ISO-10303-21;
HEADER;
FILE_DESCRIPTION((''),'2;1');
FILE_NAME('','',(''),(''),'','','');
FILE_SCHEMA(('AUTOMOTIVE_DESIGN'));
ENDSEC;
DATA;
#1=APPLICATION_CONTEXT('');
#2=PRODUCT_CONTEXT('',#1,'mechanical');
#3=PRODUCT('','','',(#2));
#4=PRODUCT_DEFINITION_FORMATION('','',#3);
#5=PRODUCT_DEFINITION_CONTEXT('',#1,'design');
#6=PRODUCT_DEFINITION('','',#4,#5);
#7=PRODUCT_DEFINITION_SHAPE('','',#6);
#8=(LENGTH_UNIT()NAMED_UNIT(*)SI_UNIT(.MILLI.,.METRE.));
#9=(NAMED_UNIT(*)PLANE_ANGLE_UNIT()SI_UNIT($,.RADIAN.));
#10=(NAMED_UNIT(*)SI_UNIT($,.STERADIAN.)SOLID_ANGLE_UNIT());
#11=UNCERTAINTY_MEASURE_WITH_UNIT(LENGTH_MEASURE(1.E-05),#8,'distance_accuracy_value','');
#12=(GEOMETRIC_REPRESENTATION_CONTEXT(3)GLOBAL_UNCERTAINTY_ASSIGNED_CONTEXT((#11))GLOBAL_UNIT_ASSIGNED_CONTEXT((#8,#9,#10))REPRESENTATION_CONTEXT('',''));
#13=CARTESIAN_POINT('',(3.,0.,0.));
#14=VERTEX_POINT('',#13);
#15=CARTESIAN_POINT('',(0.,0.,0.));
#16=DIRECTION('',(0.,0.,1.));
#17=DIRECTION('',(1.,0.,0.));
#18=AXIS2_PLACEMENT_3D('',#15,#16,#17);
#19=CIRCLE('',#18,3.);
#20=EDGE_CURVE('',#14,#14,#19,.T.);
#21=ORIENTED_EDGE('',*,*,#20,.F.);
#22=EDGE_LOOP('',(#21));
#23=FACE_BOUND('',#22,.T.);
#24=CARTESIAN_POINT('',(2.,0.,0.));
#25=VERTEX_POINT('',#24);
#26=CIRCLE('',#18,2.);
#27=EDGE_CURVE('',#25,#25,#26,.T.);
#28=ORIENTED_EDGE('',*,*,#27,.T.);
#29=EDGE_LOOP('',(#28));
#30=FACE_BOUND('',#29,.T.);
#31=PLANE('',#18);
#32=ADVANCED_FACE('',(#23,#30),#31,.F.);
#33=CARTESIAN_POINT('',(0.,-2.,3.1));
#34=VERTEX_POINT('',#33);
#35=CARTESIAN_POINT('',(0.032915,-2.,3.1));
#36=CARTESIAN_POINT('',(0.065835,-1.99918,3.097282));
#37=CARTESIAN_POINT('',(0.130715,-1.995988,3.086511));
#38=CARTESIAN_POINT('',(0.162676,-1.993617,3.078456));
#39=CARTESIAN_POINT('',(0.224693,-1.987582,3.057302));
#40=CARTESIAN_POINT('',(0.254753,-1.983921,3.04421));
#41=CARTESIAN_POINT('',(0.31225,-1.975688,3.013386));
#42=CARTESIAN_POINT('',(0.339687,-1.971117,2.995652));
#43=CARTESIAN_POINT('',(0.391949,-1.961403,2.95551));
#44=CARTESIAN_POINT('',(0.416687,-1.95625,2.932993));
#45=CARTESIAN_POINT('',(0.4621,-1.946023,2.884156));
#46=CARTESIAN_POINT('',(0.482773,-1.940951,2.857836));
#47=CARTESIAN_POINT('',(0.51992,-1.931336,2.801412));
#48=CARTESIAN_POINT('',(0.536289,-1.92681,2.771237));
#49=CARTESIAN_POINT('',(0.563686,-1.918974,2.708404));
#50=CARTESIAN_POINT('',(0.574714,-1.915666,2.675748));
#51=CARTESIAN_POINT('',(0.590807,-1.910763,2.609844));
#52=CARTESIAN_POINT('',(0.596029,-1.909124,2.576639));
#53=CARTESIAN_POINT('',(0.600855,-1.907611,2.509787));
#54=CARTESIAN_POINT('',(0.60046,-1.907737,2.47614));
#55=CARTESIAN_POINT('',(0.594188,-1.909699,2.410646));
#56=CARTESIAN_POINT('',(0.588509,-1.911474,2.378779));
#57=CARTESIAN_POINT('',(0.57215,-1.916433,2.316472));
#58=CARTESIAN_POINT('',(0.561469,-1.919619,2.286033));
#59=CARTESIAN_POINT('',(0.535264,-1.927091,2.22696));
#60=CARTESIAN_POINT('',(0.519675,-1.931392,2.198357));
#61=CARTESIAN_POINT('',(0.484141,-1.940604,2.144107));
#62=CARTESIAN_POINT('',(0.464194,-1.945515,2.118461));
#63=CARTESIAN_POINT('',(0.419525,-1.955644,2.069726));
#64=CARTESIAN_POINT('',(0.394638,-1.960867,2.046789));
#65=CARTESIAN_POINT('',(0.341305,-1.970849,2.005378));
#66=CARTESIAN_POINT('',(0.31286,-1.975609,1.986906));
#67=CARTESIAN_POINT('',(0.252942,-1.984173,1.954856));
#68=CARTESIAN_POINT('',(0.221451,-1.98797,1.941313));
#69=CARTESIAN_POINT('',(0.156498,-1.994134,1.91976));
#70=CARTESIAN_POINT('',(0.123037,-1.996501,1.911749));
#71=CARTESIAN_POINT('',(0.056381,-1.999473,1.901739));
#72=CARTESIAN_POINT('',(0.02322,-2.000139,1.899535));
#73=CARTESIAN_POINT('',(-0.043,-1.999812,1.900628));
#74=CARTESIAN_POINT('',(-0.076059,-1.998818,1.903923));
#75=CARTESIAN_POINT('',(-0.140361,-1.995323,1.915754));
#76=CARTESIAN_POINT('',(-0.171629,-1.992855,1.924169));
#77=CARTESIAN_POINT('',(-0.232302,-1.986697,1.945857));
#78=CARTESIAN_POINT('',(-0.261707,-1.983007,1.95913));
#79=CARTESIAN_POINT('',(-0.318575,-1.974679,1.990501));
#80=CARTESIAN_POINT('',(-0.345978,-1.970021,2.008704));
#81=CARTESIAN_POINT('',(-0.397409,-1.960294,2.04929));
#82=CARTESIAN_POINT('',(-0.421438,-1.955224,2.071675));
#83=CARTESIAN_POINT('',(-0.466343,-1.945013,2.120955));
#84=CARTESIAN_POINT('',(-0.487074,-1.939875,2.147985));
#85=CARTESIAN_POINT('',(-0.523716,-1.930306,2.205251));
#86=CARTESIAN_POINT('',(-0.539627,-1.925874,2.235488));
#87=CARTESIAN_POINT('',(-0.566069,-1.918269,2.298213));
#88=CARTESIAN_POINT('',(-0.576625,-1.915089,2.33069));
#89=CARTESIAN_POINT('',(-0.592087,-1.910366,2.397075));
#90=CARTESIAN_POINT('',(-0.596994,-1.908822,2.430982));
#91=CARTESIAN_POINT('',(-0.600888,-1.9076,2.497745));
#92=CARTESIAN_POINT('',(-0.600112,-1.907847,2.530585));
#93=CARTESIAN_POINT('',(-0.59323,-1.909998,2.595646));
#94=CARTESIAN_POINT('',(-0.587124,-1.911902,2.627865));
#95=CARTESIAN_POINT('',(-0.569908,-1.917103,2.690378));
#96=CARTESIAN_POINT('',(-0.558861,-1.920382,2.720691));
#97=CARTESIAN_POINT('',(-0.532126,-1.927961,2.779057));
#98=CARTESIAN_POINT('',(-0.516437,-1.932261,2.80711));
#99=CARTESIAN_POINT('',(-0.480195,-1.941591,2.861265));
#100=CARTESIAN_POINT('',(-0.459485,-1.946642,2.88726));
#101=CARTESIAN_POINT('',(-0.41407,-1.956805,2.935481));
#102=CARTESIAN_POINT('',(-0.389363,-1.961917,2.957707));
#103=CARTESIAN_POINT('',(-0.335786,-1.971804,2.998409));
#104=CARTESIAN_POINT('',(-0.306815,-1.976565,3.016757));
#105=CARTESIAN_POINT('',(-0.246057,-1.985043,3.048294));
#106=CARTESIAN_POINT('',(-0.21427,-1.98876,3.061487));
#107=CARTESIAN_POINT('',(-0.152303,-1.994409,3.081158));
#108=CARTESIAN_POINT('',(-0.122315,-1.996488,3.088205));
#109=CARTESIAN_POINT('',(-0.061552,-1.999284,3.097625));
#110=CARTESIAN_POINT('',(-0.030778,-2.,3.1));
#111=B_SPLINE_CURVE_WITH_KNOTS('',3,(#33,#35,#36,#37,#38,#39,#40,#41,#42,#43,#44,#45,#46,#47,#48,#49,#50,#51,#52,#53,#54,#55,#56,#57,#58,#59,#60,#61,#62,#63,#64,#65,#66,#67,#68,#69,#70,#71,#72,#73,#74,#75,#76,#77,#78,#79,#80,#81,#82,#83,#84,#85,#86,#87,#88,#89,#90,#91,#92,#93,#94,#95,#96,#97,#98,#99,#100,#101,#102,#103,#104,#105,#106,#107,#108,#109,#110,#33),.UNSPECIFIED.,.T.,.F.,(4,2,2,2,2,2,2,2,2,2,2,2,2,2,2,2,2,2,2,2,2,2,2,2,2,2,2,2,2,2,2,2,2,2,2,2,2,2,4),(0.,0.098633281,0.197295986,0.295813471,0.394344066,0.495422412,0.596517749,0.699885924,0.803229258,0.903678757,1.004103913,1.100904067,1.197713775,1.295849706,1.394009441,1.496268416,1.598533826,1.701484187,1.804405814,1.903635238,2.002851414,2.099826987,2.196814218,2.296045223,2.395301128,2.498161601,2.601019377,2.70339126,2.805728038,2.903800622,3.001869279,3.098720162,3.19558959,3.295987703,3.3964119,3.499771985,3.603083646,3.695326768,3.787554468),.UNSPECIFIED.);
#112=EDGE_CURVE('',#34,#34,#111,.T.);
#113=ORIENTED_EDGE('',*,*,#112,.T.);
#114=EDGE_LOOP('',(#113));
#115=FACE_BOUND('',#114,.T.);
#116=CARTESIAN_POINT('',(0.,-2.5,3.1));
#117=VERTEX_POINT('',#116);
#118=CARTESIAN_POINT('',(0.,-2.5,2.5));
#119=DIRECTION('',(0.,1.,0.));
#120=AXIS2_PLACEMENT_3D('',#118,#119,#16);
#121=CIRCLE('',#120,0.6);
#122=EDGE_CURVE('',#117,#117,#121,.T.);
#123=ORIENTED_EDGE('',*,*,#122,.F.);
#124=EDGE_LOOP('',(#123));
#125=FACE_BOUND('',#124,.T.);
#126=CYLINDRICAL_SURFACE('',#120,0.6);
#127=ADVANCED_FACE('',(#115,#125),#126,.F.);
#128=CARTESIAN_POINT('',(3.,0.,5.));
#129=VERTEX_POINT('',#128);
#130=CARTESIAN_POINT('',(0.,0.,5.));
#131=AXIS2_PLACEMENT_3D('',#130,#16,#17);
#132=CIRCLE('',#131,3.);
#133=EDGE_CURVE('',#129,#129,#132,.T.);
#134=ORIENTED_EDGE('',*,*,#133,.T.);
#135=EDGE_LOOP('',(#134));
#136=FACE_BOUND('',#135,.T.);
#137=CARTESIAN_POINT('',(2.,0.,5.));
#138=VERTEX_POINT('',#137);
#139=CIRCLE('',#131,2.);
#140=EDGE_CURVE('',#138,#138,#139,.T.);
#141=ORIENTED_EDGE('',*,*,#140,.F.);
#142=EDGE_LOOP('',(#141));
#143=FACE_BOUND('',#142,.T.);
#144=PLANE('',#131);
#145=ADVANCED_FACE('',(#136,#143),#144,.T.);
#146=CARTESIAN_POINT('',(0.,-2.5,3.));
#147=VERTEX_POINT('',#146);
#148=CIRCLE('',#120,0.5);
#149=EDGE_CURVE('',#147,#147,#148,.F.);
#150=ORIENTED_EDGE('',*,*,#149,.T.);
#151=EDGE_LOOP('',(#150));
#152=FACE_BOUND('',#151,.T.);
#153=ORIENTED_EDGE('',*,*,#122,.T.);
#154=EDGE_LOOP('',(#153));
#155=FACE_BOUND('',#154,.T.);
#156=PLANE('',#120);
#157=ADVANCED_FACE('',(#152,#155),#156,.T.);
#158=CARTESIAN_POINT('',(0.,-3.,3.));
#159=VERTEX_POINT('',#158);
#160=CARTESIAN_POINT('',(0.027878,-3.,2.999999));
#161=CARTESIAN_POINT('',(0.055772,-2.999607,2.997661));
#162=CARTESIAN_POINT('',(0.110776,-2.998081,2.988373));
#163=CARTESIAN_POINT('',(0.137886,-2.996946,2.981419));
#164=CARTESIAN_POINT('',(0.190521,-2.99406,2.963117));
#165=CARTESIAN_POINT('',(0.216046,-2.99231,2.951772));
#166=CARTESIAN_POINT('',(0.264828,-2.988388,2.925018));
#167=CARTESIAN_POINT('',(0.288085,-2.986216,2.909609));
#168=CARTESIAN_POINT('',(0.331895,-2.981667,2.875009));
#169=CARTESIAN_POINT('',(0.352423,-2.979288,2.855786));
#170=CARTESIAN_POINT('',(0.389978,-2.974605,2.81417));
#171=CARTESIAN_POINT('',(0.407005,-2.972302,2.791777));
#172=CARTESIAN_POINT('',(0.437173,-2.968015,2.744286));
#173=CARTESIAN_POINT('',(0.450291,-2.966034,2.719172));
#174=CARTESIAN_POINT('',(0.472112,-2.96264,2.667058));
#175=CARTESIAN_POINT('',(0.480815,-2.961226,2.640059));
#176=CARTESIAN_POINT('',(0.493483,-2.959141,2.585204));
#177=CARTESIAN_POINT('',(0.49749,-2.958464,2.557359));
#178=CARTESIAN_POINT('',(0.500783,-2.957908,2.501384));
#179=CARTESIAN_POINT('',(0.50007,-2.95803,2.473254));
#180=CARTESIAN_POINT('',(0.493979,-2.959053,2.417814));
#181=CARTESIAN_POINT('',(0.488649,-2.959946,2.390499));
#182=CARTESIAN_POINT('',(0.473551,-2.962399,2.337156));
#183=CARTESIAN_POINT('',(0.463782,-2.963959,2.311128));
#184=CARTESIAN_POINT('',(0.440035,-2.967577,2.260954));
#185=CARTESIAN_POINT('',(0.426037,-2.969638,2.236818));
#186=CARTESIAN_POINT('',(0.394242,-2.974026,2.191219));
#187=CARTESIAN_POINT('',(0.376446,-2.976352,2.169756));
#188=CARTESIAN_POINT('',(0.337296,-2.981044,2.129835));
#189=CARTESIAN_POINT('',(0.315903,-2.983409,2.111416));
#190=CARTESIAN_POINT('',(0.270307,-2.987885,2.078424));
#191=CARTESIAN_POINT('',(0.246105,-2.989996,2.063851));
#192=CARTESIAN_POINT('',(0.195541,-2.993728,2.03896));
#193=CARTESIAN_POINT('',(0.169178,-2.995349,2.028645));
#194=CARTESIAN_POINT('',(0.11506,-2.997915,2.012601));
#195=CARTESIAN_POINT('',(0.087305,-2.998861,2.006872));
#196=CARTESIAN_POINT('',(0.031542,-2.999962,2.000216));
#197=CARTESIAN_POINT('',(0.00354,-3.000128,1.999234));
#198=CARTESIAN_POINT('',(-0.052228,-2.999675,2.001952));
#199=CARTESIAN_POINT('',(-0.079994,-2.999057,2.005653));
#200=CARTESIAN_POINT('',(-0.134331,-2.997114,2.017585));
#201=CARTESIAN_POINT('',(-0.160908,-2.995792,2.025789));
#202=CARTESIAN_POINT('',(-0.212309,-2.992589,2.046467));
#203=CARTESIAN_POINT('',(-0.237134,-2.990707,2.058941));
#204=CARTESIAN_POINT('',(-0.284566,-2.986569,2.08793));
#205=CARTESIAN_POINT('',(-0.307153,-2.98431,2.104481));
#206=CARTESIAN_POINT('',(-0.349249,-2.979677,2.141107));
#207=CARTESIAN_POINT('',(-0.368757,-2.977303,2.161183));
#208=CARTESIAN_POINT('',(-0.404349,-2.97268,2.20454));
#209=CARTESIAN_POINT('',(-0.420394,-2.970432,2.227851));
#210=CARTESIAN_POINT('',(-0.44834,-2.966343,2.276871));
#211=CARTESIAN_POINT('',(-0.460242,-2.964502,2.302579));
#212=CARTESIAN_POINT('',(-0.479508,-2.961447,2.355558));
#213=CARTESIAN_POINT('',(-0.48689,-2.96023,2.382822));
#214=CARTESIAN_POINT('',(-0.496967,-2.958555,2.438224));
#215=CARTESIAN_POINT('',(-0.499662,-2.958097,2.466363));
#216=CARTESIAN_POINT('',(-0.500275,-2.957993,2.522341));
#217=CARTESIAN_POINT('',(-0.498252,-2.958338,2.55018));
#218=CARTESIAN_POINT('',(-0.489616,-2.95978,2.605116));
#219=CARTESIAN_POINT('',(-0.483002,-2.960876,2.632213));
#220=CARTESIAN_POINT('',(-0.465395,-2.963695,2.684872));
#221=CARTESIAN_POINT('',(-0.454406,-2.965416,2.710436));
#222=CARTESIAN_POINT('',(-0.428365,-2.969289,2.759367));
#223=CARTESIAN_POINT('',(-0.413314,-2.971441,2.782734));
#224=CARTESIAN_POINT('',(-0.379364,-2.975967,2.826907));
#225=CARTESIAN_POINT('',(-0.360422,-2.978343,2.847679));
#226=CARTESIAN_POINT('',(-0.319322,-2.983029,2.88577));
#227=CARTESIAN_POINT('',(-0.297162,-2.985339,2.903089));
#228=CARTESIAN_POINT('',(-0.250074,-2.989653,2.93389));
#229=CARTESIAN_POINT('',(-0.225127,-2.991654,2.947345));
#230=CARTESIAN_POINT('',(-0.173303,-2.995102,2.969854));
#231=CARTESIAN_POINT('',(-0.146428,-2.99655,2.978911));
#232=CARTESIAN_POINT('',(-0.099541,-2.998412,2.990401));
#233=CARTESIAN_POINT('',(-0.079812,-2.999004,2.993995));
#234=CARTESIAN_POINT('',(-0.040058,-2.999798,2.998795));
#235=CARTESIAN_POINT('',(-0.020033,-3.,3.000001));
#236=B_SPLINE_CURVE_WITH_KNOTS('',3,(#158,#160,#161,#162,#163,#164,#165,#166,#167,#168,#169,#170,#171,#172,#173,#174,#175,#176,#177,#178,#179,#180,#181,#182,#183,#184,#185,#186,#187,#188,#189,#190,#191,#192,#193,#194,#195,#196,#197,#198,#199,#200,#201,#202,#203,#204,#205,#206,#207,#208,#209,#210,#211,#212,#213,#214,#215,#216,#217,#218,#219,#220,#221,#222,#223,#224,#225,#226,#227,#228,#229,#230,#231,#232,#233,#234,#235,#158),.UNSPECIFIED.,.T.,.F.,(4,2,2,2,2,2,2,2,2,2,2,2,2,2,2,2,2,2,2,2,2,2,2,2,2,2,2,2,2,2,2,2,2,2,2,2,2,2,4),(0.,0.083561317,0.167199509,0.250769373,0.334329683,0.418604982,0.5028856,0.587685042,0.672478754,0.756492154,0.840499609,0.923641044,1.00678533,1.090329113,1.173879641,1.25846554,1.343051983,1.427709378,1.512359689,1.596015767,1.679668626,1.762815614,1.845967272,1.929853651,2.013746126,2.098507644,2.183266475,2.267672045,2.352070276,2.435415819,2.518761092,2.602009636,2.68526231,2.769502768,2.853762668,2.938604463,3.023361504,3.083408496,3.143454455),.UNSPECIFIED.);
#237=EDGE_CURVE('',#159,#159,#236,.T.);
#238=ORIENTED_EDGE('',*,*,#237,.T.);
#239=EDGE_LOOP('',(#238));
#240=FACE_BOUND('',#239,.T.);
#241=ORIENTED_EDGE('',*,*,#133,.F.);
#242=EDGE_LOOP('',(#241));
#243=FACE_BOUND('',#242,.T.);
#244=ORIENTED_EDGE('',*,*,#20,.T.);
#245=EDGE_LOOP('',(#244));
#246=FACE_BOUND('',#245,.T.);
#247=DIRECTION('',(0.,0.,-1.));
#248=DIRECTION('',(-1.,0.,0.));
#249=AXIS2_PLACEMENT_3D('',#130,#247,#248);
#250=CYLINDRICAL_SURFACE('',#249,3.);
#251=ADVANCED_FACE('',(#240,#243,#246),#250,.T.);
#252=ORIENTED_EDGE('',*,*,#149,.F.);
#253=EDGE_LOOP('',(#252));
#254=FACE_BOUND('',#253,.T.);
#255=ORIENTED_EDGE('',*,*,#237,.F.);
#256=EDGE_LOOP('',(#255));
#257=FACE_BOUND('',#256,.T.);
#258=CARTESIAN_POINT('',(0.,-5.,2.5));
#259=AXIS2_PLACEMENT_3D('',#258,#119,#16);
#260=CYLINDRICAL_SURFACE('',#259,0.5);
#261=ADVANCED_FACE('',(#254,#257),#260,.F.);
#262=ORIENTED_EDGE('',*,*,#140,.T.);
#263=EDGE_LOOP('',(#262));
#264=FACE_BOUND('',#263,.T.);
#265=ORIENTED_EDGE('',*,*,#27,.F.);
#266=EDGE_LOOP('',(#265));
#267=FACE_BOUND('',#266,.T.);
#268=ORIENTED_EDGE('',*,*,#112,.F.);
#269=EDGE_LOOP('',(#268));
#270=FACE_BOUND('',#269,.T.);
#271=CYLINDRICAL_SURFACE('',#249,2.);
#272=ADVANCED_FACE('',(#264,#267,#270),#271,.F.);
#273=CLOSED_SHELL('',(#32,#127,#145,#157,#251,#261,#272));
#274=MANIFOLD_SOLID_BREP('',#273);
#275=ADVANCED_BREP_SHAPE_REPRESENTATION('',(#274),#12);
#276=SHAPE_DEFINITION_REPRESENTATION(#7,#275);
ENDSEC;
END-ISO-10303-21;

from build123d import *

# Parameters (mm, degrees)
SKETCH_1_R          = 3
SKETCH_1_R_2        = 2
EXTRUDE_1_DEPTH     = 5
SKETCH_2_R          = 0.5
CUT_EXTRUDE_1_DEPTH = 5
SKETCH_3_R          = 0.6
CUT_EXTRUDE_2_DEPTH = 2.5


with BuildPart() as part:
    # 草图1 → 凸台-拉伸1 (new body)
    with BuildSketch(Plane.XY):
        Circle(SKETCH_1_R)
        Circle(SKETCH_1_R_2, mode=Mode.SUBTRACT)
    extrude(amount=EXTRUDE_1_DEPTH)

    # 草图2 → 切除-拉伸1 (cut)
    with BuildSketch(Plane(origin=(0, 0, 0), x_dir=(1, 0, 0), z_dir=(0, 1, 0))):
        with Locations((0, -2.5)):
            Circle(SKETCH_2_R)
    extrude(amount=-CUT_EXTRUDE_1_DEPTH, mode=Mode.SUBTRACT)

    # 草图3 → 切除-拉伸2 (cut)
    with BuildSketch(Plane(origin=(0, 0, 0), x_dir=(1, 0, 0), z_dir=(0, 1, 0))):
        with Locations((0, -2.5)):
            Circle(SKETCH_3_R)
    extrude(amount=-CUT_EXTRUDE_2_DEPTH, mode=Mode.SUBTRACT)


solid = part.part
